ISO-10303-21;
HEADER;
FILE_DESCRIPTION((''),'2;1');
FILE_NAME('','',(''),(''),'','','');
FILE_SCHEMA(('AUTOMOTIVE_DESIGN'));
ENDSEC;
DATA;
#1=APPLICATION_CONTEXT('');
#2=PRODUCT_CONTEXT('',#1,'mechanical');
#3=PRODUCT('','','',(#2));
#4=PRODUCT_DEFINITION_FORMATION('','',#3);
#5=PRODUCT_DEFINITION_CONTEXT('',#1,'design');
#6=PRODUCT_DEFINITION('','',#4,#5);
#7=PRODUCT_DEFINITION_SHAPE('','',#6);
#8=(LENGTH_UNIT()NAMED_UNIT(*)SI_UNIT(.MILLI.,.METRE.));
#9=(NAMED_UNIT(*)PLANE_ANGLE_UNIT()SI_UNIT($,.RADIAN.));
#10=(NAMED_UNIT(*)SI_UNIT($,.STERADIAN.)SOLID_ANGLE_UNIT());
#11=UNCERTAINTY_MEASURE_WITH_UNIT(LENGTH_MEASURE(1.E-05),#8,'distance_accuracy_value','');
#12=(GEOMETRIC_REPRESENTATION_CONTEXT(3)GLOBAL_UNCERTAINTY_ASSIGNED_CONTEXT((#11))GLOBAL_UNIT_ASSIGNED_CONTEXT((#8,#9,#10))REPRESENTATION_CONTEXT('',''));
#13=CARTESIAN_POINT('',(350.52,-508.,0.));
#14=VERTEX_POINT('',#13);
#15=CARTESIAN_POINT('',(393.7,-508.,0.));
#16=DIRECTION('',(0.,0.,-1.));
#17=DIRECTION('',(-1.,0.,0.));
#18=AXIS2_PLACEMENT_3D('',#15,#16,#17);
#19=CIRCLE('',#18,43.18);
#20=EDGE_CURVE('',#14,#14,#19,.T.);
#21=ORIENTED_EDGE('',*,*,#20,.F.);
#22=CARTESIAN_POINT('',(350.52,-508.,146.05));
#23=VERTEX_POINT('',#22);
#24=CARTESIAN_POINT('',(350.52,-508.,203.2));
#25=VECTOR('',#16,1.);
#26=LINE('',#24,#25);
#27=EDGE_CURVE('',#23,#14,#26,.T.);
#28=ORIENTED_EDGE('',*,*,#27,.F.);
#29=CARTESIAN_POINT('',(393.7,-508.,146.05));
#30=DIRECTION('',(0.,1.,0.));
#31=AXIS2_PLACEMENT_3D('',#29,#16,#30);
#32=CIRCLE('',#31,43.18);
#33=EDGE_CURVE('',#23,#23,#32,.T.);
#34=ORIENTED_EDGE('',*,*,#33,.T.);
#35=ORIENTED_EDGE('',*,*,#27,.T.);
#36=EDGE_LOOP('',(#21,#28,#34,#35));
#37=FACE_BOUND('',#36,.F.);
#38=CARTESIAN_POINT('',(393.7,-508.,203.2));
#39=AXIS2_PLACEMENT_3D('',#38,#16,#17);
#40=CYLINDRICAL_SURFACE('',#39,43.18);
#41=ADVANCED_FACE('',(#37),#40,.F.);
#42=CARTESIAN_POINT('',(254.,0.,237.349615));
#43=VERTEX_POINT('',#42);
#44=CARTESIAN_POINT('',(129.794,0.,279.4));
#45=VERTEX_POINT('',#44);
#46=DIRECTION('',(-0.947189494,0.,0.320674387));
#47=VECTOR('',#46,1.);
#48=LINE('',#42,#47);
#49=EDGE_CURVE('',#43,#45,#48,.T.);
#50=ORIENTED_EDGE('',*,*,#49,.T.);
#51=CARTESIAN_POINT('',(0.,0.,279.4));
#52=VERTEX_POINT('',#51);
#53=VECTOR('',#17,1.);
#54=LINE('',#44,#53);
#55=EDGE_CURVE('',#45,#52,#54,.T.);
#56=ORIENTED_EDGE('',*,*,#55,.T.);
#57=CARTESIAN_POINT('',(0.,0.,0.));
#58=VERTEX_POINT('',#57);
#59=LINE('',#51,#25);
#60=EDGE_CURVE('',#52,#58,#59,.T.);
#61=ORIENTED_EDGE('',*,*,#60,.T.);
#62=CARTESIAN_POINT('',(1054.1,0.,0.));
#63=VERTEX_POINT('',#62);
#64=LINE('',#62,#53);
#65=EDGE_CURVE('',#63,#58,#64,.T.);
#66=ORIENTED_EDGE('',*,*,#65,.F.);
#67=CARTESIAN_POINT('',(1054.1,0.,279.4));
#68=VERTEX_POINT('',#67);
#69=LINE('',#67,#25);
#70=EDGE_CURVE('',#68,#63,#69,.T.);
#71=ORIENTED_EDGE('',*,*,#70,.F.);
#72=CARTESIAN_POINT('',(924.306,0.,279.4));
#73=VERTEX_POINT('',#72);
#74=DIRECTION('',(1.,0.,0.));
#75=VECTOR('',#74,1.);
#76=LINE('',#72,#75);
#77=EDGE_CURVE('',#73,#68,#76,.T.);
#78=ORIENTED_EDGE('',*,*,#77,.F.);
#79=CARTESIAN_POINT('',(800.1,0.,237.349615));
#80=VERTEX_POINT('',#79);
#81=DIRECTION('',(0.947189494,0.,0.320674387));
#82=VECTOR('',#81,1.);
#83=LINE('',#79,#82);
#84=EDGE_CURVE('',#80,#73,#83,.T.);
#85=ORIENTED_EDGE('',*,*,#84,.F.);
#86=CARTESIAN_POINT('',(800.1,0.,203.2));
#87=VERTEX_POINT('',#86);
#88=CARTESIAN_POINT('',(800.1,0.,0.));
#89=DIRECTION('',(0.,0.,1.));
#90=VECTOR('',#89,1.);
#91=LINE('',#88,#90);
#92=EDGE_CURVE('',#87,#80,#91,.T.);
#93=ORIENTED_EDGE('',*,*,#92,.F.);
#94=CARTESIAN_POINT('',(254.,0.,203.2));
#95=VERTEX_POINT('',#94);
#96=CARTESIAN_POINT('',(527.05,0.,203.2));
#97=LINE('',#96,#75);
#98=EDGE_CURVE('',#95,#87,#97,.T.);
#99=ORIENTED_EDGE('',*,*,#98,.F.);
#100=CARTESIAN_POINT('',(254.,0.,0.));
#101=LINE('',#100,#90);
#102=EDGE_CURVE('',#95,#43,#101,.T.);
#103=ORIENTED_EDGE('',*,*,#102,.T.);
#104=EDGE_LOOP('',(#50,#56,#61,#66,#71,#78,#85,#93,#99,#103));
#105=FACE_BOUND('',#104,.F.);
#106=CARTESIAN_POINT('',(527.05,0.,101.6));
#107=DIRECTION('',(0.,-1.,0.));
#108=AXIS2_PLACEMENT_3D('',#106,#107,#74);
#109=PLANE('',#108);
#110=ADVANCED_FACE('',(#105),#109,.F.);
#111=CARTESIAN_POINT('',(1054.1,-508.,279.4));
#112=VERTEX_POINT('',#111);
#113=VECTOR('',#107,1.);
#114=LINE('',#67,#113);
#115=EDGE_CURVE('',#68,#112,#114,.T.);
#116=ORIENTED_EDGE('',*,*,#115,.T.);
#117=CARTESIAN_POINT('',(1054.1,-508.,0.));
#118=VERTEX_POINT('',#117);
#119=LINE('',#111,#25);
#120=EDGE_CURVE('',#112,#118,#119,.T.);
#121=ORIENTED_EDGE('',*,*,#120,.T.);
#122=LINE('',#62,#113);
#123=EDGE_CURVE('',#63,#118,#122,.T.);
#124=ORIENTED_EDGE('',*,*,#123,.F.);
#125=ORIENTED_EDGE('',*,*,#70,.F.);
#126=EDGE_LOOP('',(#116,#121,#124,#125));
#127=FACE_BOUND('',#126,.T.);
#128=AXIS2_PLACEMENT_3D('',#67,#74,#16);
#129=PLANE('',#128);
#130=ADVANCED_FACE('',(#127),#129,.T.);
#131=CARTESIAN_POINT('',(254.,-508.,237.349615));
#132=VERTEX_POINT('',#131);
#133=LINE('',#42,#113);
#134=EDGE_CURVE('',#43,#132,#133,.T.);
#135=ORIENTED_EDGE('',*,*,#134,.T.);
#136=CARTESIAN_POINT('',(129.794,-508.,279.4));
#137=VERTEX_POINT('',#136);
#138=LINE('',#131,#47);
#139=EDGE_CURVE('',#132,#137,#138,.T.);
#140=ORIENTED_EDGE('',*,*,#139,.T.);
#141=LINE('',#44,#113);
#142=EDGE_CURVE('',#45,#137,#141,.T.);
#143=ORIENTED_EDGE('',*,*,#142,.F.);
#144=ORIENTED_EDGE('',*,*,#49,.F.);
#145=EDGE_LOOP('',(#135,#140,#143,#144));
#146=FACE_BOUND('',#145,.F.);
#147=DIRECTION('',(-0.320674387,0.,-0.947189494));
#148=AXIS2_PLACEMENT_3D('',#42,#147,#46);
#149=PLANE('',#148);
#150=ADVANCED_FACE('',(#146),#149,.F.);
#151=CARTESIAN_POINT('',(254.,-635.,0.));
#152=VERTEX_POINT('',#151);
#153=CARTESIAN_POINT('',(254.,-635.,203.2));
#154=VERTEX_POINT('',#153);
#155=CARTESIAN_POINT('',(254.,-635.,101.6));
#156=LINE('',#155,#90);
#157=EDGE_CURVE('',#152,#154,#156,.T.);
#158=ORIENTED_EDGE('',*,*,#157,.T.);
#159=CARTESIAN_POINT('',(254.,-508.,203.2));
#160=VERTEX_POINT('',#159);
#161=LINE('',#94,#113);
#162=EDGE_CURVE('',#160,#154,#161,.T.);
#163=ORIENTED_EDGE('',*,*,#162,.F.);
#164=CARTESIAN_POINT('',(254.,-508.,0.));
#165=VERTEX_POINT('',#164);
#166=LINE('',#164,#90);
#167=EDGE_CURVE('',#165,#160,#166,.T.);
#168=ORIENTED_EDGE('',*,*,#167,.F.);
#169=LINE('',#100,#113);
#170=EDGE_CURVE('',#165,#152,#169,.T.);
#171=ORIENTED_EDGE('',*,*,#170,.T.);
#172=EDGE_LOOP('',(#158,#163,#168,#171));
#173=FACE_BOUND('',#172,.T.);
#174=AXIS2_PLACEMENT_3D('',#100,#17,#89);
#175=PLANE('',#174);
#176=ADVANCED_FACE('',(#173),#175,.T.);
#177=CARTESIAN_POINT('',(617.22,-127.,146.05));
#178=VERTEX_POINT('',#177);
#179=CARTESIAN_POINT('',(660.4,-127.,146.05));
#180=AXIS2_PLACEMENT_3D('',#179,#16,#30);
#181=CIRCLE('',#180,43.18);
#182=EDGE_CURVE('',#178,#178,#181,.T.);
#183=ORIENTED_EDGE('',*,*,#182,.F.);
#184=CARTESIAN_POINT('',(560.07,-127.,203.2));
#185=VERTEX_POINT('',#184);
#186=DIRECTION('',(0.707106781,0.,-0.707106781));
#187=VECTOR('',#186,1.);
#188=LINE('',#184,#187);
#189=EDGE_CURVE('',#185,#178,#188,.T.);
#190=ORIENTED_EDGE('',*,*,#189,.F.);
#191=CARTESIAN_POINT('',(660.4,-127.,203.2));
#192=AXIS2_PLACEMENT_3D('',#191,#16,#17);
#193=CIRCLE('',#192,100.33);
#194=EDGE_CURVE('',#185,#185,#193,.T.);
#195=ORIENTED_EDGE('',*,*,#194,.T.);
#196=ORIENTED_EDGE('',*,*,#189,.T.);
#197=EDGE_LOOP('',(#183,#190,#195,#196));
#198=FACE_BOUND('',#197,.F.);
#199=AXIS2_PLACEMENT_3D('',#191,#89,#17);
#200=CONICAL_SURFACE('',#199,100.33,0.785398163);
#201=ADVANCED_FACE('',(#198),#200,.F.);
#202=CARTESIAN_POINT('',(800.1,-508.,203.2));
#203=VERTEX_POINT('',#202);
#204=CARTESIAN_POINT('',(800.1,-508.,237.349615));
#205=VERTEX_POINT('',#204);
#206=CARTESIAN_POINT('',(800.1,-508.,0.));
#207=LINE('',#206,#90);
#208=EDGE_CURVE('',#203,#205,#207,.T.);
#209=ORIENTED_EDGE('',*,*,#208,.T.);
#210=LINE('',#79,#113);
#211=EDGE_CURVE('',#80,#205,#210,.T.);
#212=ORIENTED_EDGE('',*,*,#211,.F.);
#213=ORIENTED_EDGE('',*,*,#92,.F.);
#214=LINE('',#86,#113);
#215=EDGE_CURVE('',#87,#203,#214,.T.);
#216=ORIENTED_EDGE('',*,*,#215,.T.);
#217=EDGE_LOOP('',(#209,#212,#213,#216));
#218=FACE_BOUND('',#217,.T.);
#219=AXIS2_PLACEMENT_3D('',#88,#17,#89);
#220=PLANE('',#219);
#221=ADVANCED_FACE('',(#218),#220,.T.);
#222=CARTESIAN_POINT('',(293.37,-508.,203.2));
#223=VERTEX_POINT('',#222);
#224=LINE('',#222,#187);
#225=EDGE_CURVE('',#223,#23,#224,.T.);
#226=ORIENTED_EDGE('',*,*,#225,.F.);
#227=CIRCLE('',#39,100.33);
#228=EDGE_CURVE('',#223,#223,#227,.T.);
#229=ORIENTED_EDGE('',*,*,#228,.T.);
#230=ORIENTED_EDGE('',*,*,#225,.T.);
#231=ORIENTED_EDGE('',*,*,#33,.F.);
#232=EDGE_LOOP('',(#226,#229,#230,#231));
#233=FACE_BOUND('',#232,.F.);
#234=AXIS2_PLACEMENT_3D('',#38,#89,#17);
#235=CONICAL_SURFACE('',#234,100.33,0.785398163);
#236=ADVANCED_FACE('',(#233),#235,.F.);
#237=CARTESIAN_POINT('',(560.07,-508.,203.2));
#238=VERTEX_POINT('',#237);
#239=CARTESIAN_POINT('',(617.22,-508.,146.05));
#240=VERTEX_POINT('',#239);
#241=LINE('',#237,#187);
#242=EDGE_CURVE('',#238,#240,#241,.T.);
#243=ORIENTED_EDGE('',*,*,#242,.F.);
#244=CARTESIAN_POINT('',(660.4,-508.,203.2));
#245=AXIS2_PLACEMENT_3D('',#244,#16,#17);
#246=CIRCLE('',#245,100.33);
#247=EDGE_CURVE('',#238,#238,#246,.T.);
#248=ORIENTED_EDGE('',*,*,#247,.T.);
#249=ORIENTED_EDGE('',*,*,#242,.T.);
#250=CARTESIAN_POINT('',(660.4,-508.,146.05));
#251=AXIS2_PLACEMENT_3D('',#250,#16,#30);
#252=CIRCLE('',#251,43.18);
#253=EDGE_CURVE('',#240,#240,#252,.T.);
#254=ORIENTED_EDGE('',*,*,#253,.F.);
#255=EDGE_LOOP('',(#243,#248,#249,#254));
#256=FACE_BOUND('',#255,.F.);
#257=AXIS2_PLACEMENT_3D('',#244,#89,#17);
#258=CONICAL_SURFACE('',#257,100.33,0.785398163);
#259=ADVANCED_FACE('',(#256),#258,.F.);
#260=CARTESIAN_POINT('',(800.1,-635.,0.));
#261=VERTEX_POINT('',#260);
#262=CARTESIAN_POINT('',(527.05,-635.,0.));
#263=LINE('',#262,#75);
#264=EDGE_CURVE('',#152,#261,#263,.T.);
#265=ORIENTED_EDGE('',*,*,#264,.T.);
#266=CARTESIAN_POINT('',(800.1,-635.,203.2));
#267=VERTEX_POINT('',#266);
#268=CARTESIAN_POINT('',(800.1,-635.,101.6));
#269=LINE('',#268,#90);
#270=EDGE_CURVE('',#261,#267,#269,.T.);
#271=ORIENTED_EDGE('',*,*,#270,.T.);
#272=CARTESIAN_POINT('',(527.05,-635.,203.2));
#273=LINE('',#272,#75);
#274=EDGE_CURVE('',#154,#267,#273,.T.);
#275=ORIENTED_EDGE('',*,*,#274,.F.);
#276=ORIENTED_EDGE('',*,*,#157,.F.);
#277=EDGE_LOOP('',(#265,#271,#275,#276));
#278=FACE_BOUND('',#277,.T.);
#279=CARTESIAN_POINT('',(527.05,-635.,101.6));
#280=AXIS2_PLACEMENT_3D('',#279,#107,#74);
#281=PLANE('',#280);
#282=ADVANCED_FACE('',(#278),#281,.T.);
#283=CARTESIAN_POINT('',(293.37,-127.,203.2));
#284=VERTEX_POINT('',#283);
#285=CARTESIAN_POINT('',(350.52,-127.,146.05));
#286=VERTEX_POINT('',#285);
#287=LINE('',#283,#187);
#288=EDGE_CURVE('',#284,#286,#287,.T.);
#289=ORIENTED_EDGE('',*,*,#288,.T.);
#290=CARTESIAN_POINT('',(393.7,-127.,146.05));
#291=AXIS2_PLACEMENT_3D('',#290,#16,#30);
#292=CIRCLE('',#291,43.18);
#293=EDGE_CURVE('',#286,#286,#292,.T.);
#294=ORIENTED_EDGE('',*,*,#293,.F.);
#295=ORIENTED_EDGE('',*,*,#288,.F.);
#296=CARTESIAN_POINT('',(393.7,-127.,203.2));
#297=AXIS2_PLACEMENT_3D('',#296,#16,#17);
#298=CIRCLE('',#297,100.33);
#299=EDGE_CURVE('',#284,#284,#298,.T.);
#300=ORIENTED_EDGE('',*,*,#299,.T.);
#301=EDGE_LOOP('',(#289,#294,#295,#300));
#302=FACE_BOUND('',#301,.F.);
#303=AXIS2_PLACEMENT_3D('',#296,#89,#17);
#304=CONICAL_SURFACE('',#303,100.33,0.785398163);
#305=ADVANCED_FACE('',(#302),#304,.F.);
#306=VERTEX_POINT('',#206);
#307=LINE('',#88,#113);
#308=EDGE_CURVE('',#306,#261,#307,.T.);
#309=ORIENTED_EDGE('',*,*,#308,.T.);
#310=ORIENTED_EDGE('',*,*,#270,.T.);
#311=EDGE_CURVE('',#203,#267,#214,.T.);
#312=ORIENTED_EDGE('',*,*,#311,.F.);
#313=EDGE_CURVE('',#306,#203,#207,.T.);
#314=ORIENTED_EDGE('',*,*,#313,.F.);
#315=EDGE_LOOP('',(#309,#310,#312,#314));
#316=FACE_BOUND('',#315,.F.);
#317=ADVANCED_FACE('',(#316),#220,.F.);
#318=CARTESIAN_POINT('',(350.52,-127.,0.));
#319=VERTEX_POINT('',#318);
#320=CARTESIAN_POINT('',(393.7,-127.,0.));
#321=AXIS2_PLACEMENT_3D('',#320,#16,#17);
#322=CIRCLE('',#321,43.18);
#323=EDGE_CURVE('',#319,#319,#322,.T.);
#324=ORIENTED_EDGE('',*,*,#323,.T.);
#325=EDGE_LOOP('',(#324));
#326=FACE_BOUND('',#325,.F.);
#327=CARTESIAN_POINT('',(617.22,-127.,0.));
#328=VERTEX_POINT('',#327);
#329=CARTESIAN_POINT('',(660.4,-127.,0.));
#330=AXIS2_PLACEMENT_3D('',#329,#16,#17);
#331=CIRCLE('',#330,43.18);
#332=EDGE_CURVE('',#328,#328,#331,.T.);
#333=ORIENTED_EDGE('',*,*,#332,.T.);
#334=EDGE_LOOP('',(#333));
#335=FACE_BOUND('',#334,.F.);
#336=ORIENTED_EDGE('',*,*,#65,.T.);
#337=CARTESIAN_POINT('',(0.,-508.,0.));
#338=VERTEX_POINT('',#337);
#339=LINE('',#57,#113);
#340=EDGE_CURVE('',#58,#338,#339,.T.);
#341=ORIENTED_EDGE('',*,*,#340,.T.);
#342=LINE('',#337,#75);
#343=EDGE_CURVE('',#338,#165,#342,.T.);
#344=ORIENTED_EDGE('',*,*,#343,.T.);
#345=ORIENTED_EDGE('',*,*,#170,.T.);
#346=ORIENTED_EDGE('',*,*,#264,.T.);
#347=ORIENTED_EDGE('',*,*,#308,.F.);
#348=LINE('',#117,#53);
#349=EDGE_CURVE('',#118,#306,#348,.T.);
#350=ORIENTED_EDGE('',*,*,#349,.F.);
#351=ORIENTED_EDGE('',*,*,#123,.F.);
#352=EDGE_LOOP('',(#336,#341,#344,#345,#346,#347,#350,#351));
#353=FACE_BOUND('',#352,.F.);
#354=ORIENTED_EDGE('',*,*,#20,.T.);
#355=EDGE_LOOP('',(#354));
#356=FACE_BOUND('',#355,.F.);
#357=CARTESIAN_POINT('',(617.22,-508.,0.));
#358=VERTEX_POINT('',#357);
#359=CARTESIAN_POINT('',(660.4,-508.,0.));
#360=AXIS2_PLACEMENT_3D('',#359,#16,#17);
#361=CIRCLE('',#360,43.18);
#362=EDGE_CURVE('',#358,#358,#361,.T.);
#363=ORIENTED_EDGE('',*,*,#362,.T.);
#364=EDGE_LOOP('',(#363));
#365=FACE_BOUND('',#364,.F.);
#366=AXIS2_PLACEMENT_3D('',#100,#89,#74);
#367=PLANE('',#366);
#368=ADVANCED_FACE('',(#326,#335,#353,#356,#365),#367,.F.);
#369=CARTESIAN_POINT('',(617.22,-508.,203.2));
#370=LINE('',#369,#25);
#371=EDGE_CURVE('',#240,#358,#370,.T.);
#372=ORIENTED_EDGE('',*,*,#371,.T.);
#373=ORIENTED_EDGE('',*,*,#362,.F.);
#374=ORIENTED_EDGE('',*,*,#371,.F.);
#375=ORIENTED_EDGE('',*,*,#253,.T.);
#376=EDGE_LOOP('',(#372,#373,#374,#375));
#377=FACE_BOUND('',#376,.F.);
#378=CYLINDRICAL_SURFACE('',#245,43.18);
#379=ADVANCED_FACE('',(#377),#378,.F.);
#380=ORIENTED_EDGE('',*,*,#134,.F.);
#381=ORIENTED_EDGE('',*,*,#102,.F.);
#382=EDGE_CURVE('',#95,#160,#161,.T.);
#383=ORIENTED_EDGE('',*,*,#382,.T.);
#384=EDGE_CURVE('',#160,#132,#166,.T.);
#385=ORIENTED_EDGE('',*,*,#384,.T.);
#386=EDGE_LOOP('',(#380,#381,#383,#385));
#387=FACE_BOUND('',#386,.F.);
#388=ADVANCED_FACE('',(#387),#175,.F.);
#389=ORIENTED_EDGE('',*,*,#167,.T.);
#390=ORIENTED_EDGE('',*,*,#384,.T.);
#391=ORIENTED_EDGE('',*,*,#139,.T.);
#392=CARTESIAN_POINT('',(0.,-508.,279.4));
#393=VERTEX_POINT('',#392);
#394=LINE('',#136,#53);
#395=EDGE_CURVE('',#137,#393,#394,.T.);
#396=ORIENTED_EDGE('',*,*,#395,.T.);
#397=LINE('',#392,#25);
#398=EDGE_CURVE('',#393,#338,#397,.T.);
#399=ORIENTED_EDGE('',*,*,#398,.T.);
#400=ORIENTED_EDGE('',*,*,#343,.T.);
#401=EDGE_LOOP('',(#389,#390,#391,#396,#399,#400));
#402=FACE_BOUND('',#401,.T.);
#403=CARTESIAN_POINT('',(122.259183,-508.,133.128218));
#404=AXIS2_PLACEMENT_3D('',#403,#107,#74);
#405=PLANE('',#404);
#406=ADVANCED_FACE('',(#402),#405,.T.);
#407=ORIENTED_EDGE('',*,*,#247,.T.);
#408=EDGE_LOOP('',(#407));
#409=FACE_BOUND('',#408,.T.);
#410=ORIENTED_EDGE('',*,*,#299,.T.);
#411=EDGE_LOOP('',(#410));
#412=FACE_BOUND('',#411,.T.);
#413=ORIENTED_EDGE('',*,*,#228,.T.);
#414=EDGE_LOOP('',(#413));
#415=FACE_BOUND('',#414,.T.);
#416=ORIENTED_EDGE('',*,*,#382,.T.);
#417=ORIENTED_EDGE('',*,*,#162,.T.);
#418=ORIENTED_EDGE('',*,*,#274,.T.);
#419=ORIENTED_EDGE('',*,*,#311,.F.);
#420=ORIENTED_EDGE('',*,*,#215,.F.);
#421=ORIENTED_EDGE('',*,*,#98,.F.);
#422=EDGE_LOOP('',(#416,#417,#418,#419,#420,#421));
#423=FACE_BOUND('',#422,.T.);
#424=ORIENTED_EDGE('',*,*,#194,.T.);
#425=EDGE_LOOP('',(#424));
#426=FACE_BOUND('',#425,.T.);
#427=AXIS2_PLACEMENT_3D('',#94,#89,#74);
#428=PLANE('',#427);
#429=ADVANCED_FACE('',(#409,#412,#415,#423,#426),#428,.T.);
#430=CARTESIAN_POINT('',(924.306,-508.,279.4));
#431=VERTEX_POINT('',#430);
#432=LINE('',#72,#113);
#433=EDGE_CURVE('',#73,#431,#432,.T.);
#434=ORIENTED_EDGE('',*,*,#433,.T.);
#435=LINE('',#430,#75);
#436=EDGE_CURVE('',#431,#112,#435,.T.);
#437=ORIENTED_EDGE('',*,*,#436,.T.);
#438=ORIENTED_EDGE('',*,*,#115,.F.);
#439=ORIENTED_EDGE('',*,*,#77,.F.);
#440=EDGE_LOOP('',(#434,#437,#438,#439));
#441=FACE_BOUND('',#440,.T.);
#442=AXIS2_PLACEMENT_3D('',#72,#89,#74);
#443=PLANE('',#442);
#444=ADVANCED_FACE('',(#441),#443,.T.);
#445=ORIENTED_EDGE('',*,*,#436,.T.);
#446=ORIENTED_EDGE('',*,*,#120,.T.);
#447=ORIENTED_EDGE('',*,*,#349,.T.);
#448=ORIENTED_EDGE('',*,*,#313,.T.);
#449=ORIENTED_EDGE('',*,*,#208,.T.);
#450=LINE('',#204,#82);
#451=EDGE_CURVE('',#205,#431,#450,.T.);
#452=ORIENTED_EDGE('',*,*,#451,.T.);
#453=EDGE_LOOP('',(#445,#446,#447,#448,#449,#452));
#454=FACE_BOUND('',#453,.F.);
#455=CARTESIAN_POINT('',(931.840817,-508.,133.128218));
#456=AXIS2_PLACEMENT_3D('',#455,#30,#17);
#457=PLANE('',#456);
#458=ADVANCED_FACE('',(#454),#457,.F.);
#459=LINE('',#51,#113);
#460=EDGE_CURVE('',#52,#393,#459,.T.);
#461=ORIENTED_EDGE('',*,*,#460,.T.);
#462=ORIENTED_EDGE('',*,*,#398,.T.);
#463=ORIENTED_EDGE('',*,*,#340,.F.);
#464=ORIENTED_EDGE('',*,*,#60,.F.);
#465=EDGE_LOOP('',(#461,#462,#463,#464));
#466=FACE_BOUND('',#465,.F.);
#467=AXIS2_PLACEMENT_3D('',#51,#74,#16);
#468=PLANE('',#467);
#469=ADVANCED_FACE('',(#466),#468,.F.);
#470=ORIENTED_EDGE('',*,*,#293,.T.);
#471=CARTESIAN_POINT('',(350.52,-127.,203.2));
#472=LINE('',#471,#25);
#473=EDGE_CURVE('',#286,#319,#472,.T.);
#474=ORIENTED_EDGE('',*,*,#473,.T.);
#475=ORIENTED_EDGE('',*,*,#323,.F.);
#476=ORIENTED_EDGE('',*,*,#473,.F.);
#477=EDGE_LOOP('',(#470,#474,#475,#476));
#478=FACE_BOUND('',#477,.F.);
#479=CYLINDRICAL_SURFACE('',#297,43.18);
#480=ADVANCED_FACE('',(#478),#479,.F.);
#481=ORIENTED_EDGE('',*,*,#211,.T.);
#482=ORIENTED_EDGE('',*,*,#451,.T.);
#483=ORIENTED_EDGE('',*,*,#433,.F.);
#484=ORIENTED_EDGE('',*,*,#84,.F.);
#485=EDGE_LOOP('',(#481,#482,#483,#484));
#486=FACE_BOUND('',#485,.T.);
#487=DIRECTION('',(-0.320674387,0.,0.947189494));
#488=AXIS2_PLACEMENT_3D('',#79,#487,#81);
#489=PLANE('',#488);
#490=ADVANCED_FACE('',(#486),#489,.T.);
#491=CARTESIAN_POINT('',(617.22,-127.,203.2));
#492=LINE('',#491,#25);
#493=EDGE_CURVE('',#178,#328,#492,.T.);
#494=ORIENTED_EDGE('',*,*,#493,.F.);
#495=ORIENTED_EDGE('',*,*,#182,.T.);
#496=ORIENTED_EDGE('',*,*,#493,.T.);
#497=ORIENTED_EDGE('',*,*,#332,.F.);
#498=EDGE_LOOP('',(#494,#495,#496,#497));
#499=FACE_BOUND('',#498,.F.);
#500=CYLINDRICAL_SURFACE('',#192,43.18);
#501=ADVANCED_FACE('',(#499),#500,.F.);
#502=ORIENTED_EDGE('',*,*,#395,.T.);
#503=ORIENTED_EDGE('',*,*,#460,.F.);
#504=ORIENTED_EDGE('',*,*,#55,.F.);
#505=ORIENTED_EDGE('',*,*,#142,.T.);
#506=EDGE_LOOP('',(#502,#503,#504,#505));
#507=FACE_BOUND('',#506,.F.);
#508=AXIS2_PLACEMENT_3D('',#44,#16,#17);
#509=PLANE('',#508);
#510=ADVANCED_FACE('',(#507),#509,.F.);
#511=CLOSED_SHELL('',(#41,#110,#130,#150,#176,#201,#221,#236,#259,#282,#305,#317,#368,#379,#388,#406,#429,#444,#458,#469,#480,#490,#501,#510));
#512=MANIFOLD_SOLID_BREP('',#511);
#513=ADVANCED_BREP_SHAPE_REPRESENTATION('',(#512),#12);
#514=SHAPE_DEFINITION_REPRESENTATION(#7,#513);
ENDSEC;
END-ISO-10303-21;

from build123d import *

# Parameters (mm, degrees)
F1_DEPTH       = 508
F2_W           = 546.1
F2_H           = 203.2
F3_DEPTH       = 635
F6_DEPTH       = 508
F8_D           = 86.36
F8_CSINK_D     = 200.66
F8_CSINK_ANGLE = 90


with BuildPart() as f1:
    # F0 (on Front) → F1 (new body)
    with BuildSketch(Plane.XZ):
        Polygon((0, 279.4), (0, 0), (254, 0), (254, 237.349615), (129.794, 279.4), align=None)
    extrude(amount=F1_DEPTH)

    # F2 (on Front) → F3 (join)
    with BuildSketch(Plane.XZ):
        with Locations((527.05, 101.6)):
            Rectangle(F2_W, F2_H)
    extrude(amount=F3_DEPTH)

    # F5 (on face) → F6 (join)
    with BuildSketch(Plane(origin=(0, 0, 0), x_dir=(-1, 0, 0), z_dir=(0, 1, 0))):
        Polygon((0, 279.4), (-129.794, 279.4), (-254, 237.349615), (-254, 203.2), (-254, 0), (0, 0), align=None)
        Polygon((-1054.1, 279.4), (-1054.1, 0), (-800.1, 0), (-800.1, 203.2), (-800.1, 237.349615), (-924.306, 279.4), align=None)
    extrude(amount=-F6_DEPTH)

    # F8 (through all)
    with Locations(Plane.XY.offset(203.2)):
        with Locations((660.4, -508), (393.7, -508), (393.7, -127), (660.4, -127)):
            CounterSinkHole(F8_D / 2, F8_CSINK_D / 2, counter_sink_angle=F8_CSINK_ANGLE)


solid = f1.part
